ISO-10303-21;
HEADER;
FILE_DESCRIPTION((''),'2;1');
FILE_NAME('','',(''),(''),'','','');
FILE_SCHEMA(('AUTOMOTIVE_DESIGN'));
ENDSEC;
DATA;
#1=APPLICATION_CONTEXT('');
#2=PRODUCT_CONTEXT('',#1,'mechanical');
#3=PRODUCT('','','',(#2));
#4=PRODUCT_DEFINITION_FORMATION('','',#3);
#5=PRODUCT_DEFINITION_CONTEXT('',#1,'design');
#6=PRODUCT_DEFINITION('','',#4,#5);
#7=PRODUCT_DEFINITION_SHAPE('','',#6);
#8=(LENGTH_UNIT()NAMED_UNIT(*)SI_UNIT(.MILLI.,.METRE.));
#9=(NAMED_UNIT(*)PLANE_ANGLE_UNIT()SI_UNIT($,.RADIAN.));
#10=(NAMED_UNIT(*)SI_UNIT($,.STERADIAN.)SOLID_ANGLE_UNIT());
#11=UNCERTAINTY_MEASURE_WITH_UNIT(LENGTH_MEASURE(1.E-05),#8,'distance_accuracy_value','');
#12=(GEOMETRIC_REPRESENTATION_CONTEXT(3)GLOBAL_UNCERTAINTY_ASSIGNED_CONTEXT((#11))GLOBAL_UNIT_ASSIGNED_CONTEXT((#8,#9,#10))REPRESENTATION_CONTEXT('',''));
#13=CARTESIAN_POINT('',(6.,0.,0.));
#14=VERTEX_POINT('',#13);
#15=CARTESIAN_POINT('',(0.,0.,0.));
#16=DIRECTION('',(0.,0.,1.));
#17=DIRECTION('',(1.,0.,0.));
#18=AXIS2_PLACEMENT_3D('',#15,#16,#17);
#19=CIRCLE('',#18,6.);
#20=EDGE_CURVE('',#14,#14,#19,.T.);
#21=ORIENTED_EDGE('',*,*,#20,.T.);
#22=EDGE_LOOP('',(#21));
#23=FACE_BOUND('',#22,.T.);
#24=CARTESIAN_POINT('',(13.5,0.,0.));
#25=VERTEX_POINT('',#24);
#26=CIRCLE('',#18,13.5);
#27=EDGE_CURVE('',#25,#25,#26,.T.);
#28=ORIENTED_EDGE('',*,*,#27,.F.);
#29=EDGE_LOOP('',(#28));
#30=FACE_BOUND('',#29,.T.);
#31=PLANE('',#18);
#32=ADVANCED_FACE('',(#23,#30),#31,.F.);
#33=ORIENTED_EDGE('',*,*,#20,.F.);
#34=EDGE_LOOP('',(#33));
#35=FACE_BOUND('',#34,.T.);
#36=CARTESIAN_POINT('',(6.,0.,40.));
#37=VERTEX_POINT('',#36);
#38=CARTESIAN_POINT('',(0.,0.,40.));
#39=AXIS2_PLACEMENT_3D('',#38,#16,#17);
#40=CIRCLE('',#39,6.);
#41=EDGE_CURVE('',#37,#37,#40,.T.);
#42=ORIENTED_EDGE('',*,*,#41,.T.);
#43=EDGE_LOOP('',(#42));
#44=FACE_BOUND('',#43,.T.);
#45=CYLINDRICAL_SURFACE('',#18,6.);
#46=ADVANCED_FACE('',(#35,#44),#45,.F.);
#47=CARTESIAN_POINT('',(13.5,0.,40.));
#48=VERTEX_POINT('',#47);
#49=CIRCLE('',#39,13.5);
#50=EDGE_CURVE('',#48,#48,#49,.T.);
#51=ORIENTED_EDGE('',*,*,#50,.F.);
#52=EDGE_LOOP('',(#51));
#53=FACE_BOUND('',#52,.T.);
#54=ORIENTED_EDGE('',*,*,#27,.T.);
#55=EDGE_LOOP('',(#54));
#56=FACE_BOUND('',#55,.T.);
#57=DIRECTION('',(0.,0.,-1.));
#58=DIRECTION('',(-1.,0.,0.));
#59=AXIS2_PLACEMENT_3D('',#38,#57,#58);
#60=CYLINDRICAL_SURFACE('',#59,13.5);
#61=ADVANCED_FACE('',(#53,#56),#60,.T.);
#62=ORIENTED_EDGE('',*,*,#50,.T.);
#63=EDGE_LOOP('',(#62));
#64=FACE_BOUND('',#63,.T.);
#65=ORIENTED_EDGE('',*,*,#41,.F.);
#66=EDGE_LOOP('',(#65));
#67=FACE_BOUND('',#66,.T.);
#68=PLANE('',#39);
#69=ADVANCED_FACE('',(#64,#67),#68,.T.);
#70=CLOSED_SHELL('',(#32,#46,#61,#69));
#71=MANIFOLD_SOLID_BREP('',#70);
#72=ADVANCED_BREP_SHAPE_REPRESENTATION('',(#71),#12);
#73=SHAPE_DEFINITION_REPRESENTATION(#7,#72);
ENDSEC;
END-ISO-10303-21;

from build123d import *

# Parameters (mm, degrees)
SKETCH2_R           = 13.5
BOSS_EXTRUDE1_DEPTH = 40
SKETCH3_R           = 6
CUT_EXTRUDE1_DEPTH  = 40


with BuildPart() as part:
    # Sketch2 → Boss-Extrude1 (new body)
    with BuildSketch(Plane.XY):
        Circle(SKETCH2_R)
    extrude(amount=BOSS_EXTRUDE1_DEPTH)

    # Sketch3 → Cut-Extrude1 (cut)
    with BuildSketch(Plane.XY.offset(40)):
        Circle(SKETCH3_R)
    extrude(amount=-CUT_EXTRUDE1_DEPTH, mode=Mode.SUBTRACT)


solid = part.part
